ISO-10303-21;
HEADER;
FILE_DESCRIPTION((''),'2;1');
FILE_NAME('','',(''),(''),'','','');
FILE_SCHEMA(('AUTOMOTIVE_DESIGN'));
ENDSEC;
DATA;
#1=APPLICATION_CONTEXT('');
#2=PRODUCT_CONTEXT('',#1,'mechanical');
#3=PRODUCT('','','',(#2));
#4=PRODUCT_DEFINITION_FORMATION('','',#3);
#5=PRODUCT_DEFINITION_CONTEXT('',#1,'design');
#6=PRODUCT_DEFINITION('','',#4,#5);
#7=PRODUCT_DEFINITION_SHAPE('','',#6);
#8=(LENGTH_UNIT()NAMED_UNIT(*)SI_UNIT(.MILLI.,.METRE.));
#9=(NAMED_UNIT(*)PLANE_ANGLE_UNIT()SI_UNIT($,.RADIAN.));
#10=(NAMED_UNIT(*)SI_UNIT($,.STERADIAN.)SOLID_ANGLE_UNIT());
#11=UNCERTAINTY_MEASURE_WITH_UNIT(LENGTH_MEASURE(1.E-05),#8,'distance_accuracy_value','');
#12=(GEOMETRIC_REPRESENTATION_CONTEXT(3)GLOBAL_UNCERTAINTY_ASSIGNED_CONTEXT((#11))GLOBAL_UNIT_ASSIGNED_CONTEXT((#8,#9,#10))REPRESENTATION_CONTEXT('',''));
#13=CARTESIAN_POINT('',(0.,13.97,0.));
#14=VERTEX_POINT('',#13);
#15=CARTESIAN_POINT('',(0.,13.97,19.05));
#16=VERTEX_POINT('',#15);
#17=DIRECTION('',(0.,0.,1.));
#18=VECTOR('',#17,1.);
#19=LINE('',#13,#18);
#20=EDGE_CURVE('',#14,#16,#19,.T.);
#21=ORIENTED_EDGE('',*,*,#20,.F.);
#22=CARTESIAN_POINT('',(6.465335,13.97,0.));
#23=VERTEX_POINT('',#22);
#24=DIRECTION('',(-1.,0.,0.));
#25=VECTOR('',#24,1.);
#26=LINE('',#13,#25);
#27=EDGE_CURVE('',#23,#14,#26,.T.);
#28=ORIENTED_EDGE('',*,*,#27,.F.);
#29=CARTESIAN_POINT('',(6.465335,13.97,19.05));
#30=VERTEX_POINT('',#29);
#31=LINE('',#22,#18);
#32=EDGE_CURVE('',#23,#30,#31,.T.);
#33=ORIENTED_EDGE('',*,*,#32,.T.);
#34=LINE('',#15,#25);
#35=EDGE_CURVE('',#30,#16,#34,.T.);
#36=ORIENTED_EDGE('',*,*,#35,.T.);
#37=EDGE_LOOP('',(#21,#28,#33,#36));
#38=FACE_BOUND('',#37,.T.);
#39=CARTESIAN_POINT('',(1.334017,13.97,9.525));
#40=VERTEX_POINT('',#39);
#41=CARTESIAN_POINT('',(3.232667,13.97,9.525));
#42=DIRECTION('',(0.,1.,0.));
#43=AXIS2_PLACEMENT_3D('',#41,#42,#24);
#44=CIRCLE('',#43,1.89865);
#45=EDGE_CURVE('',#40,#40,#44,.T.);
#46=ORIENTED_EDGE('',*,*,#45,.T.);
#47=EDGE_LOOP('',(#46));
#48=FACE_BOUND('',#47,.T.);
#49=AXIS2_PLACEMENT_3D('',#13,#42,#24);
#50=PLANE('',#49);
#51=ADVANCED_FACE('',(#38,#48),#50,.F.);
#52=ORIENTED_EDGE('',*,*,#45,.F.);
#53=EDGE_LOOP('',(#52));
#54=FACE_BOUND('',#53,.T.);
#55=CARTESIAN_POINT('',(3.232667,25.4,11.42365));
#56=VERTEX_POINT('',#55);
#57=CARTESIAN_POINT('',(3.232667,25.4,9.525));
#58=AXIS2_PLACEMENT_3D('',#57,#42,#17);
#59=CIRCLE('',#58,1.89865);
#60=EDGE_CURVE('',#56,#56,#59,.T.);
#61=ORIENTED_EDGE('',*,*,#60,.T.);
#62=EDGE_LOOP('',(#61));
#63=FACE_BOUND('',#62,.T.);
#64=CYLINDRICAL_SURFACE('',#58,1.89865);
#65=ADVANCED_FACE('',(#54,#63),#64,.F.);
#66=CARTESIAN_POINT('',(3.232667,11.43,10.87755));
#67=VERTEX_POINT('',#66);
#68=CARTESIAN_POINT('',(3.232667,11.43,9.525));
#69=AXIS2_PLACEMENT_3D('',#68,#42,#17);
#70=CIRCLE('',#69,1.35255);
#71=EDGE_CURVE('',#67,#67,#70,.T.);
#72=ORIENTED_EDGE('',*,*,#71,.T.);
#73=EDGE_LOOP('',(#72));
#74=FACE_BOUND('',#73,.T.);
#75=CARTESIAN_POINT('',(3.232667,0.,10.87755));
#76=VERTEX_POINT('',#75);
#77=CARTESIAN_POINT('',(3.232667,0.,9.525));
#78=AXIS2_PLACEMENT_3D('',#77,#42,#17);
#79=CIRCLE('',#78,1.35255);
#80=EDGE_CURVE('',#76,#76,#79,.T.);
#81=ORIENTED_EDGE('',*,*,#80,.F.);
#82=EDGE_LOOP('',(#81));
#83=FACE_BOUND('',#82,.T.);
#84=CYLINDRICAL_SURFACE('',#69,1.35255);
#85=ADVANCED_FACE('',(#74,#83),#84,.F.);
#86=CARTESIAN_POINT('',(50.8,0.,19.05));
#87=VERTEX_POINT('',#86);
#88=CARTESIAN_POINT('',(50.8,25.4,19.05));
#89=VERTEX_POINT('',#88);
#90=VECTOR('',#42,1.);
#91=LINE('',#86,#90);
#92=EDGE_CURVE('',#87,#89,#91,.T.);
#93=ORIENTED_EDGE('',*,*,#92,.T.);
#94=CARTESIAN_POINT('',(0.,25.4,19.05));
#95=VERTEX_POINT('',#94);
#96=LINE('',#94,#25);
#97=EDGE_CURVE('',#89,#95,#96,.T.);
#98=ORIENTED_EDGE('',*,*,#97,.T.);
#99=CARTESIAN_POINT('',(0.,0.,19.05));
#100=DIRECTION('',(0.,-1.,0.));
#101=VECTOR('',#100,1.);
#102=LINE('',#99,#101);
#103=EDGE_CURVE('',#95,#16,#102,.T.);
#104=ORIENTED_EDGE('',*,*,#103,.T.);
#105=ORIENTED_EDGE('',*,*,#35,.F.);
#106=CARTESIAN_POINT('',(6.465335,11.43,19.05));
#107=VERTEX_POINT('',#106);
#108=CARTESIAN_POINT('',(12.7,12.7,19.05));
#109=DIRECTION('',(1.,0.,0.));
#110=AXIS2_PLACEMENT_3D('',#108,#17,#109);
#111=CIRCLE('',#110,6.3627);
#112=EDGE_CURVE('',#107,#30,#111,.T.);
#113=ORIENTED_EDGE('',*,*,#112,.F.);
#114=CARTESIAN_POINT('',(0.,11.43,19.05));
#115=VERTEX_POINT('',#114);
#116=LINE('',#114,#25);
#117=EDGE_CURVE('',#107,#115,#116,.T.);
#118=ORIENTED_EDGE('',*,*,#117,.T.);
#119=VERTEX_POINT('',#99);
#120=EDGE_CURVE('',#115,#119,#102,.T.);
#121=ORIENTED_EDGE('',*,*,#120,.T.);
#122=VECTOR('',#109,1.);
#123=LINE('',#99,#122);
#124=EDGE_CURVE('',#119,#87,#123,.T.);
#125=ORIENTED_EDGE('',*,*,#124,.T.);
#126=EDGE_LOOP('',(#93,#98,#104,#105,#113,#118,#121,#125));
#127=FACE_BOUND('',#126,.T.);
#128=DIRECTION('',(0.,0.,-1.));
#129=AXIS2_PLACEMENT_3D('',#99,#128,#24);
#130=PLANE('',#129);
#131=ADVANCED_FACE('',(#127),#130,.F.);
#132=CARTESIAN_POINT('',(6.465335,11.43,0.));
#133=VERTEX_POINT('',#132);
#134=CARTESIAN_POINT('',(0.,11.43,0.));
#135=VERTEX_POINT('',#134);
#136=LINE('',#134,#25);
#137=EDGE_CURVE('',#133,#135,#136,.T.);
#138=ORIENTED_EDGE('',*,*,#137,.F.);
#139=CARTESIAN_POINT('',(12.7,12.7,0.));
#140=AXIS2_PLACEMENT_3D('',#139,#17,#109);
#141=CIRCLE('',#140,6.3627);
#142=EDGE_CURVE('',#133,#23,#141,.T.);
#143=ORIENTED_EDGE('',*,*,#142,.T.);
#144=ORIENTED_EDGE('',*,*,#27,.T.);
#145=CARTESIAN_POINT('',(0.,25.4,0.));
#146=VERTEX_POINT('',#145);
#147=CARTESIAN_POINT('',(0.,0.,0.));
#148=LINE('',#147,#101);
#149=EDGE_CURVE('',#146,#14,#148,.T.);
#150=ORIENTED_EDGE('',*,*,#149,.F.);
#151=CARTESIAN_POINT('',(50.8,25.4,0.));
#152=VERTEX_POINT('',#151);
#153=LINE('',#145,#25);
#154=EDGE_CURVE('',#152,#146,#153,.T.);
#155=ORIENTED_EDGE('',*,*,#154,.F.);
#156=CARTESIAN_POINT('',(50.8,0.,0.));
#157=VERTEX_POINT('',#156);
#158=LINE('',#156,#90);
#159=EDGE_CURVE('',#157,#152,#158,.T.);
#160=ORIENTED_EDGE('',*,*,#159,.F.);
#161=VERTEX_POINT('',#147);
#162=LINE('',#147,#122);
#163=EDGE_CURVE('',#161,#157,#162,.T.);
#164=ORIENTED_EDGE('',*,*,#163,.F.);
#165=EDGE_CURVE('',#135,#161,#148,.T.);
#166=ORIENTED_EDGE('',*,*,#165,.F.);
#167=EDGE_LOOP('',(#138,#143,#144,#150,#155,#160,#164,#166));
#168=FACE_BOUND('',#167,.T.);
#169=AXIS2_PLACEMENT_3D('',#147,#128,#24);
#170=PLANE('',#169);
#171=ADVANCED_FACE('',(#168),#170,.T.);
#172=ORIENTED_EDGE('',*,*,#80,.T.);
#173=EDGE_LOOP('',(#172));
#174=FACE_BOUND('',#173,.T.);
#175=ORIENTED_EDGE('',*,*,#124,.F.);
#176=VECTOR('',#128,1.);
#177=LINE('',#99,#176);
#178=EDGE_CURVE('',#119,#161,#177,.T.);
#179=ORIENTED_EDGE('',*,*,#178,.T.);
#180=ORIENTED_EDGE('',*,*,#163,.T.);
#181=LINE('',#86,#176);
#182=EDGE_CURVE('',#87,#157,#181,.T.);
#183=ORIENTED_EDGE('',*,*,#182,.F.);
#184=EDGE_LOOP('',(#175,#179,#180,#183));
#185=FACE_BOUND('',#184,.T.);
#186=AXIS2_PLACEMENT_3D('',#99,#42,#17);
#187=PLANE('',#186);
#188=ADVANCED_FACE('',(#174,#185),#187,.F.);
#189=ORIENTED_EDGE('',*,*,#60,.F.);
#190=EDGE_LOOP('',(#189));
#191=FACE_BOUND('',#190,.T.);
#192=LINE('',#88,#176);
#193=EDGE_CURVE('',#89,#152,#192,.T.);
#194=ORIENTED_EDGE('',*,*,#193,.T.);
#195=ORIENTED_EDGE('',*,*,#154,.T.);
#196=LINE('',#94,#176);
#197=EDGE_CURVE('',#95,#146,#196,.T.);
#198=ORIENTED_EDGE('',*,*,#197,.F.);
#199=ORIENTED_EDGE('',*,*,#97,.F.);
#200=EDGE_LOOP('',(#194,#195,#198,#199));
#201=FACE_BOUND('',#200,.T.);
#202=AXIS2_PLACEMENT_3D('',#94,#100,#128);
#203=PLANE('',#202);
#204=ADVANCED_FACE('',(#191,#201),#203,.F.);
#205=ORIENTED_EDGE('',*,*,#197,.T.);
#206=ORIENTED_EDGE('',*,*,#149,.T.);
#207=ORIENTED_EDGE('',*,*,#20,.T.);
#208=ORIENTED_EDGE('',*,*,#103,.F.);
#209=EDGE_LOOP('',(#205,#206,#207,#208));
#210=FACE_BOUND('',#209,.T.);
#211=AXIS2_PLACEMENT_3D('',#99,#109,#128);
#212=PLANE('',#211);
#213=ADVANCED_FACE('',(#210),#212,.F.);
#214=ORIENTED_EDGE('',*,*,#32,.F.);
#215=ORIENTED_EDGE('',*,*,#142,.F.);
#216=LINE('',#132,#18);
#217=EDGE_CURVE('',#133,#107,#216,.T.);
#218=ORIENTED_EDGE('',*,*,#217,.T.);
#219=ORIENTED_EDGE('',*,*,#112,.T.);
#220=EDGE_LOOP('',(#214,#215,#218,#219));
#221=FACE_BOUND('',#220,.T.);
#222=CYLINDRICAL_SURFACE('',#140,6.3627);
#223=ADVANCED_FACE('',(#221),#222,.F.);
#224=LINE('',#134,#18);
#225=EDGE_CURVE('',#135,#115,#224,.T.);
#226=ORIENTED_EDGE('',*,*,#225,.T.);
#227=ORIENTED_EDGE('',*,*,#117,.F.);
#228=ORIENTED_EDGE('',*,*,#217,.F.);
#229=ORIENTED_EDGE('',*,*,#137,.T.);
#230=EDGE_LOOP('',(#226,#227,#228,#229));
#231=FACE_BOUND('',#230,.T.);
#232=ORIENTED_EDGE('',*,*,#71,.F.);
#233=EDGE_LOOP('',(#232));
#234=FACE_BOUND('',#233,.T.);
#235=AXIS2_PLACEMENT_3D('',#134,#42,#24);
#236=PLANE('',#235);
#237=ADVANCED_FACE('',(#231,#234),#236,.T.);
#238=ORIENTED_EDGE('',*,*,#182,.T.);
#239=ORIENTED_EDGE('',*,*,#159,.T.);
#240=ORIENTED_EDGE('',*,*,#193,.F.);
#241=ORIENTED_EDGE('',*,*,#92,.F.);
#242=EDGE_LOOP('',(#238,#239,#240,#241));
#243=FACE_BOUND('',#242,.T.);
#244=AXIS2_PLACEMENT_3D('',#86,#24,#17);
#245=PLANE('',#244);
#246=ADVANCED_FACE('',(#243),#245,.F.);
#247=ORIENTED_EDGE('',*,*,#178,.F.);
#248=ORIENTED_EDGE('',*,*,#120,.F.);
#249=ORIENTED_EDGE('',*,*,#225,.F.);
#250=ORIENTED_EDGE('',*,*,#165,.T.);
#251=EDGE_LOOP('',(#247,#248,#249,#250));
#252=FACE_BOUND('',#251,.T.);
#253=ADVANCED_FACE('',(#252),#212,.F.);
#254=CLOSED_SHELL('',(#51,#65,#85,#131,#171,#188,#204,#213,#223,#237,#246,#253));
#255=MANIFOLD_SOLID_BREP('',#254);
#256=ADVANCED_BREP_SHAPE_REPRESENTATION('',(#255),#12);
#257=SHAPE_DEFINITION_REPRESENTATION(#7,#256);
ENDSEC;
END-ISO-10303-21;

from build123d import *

# Parameters (mm, degrees)
SKETCH1_W                 = 50.8
SKETCH1_H                 = 25.4
BOSS_EXTRUDE1_DEPTH       = 19.05
CUT_EXTRUDE1_DEPTH        = 19.05
F_6_CLEARANCE_HOLE1_D     = 3.7973
F_6_CLEARANCE_HOLE1_DEPTH = 11.43
F_6_32_TAPPED_HOLE1_D     = 2.7051


with BuildPart() as part:
    # Sketch1 → Boss-Extrude1 (new body)
    with BuildSketch(Plane.XY):
        with Locations((25.4, 12.7)):
            Rectangle(SKETCH1_W, SKETCH1_H)
    extrude(amount=BOSS_EXTRUDE1_DEPTH)

    # Sketch2 → Cut-Extrude1 (cut)
    with BuildSketch(Plane.XY.offset(19.05)):
        with BuildLine():
            Line((12.7, 13.97), (12.7, 11.43))
            Line((12.7, 11.43), (6.465334709, 11.43))
            ThreePointArc((6.465334709, 11.43), (13.338218788, 6.369389597), (19.0627, 12.7))
            ThreePointArc((19.0627, 12.7), (13.338218788, 19.030610403), (6.465334709, 13.97))
            Line((6.465334709, 13.97), (12.7, 13.97))
        make_face()
        with BuildLine():
            Line((6.465334709, 11.43), (12.7, 11.43))
            Line((12.7, 11.43), (12.7, 13.97))
            Line((12.7, 13.97), (6.465334709, 13.97))
            ThreePointArc((6.465334709, 13.97), (6.3373, 12.7), (6.465334709, 11.43))
        make_face()
        with BuildLine():
            Line((0, 11.43), (6.465334709, 11.43))
            ThreePointArc((6.465334709, 11.43), (6.3373, 12.7), (6.465334709, 13.97))
            Line((6.465334709, 13.97), (0, 13.97))
            Line((0, 13.97), (0, 11.43))
        make_face()
    extrude(amount=-CUT_EXTRUDE1_DEPTH, mode=Mode.SUBTRACT)

    # #6 Clearance Hole1
    with Locations(Plane(origin=(0, 25.4, 0), x_dir=(1, 0, 0), z_dir=(0, 1, 0))):
        with Locations((3.232667355, -9.525)):
            Hole(F_6_CLEARANCE_HOLE1_D / 2, depth=F_6_CLEARANCE_HOLE1_DEPTH)

    # #6-32 Tapped Hole1 (through all)
    with Locations(Plane(origin=(0, 11.43, 0), x_dir=(1, 0, 0), z_dir=(0, 1, 0))):
        with Locations((3.232667355, -9.525)):
            Hole(F_6_32_TAPPED_HOLE1_D / 2)


solid = part.part
